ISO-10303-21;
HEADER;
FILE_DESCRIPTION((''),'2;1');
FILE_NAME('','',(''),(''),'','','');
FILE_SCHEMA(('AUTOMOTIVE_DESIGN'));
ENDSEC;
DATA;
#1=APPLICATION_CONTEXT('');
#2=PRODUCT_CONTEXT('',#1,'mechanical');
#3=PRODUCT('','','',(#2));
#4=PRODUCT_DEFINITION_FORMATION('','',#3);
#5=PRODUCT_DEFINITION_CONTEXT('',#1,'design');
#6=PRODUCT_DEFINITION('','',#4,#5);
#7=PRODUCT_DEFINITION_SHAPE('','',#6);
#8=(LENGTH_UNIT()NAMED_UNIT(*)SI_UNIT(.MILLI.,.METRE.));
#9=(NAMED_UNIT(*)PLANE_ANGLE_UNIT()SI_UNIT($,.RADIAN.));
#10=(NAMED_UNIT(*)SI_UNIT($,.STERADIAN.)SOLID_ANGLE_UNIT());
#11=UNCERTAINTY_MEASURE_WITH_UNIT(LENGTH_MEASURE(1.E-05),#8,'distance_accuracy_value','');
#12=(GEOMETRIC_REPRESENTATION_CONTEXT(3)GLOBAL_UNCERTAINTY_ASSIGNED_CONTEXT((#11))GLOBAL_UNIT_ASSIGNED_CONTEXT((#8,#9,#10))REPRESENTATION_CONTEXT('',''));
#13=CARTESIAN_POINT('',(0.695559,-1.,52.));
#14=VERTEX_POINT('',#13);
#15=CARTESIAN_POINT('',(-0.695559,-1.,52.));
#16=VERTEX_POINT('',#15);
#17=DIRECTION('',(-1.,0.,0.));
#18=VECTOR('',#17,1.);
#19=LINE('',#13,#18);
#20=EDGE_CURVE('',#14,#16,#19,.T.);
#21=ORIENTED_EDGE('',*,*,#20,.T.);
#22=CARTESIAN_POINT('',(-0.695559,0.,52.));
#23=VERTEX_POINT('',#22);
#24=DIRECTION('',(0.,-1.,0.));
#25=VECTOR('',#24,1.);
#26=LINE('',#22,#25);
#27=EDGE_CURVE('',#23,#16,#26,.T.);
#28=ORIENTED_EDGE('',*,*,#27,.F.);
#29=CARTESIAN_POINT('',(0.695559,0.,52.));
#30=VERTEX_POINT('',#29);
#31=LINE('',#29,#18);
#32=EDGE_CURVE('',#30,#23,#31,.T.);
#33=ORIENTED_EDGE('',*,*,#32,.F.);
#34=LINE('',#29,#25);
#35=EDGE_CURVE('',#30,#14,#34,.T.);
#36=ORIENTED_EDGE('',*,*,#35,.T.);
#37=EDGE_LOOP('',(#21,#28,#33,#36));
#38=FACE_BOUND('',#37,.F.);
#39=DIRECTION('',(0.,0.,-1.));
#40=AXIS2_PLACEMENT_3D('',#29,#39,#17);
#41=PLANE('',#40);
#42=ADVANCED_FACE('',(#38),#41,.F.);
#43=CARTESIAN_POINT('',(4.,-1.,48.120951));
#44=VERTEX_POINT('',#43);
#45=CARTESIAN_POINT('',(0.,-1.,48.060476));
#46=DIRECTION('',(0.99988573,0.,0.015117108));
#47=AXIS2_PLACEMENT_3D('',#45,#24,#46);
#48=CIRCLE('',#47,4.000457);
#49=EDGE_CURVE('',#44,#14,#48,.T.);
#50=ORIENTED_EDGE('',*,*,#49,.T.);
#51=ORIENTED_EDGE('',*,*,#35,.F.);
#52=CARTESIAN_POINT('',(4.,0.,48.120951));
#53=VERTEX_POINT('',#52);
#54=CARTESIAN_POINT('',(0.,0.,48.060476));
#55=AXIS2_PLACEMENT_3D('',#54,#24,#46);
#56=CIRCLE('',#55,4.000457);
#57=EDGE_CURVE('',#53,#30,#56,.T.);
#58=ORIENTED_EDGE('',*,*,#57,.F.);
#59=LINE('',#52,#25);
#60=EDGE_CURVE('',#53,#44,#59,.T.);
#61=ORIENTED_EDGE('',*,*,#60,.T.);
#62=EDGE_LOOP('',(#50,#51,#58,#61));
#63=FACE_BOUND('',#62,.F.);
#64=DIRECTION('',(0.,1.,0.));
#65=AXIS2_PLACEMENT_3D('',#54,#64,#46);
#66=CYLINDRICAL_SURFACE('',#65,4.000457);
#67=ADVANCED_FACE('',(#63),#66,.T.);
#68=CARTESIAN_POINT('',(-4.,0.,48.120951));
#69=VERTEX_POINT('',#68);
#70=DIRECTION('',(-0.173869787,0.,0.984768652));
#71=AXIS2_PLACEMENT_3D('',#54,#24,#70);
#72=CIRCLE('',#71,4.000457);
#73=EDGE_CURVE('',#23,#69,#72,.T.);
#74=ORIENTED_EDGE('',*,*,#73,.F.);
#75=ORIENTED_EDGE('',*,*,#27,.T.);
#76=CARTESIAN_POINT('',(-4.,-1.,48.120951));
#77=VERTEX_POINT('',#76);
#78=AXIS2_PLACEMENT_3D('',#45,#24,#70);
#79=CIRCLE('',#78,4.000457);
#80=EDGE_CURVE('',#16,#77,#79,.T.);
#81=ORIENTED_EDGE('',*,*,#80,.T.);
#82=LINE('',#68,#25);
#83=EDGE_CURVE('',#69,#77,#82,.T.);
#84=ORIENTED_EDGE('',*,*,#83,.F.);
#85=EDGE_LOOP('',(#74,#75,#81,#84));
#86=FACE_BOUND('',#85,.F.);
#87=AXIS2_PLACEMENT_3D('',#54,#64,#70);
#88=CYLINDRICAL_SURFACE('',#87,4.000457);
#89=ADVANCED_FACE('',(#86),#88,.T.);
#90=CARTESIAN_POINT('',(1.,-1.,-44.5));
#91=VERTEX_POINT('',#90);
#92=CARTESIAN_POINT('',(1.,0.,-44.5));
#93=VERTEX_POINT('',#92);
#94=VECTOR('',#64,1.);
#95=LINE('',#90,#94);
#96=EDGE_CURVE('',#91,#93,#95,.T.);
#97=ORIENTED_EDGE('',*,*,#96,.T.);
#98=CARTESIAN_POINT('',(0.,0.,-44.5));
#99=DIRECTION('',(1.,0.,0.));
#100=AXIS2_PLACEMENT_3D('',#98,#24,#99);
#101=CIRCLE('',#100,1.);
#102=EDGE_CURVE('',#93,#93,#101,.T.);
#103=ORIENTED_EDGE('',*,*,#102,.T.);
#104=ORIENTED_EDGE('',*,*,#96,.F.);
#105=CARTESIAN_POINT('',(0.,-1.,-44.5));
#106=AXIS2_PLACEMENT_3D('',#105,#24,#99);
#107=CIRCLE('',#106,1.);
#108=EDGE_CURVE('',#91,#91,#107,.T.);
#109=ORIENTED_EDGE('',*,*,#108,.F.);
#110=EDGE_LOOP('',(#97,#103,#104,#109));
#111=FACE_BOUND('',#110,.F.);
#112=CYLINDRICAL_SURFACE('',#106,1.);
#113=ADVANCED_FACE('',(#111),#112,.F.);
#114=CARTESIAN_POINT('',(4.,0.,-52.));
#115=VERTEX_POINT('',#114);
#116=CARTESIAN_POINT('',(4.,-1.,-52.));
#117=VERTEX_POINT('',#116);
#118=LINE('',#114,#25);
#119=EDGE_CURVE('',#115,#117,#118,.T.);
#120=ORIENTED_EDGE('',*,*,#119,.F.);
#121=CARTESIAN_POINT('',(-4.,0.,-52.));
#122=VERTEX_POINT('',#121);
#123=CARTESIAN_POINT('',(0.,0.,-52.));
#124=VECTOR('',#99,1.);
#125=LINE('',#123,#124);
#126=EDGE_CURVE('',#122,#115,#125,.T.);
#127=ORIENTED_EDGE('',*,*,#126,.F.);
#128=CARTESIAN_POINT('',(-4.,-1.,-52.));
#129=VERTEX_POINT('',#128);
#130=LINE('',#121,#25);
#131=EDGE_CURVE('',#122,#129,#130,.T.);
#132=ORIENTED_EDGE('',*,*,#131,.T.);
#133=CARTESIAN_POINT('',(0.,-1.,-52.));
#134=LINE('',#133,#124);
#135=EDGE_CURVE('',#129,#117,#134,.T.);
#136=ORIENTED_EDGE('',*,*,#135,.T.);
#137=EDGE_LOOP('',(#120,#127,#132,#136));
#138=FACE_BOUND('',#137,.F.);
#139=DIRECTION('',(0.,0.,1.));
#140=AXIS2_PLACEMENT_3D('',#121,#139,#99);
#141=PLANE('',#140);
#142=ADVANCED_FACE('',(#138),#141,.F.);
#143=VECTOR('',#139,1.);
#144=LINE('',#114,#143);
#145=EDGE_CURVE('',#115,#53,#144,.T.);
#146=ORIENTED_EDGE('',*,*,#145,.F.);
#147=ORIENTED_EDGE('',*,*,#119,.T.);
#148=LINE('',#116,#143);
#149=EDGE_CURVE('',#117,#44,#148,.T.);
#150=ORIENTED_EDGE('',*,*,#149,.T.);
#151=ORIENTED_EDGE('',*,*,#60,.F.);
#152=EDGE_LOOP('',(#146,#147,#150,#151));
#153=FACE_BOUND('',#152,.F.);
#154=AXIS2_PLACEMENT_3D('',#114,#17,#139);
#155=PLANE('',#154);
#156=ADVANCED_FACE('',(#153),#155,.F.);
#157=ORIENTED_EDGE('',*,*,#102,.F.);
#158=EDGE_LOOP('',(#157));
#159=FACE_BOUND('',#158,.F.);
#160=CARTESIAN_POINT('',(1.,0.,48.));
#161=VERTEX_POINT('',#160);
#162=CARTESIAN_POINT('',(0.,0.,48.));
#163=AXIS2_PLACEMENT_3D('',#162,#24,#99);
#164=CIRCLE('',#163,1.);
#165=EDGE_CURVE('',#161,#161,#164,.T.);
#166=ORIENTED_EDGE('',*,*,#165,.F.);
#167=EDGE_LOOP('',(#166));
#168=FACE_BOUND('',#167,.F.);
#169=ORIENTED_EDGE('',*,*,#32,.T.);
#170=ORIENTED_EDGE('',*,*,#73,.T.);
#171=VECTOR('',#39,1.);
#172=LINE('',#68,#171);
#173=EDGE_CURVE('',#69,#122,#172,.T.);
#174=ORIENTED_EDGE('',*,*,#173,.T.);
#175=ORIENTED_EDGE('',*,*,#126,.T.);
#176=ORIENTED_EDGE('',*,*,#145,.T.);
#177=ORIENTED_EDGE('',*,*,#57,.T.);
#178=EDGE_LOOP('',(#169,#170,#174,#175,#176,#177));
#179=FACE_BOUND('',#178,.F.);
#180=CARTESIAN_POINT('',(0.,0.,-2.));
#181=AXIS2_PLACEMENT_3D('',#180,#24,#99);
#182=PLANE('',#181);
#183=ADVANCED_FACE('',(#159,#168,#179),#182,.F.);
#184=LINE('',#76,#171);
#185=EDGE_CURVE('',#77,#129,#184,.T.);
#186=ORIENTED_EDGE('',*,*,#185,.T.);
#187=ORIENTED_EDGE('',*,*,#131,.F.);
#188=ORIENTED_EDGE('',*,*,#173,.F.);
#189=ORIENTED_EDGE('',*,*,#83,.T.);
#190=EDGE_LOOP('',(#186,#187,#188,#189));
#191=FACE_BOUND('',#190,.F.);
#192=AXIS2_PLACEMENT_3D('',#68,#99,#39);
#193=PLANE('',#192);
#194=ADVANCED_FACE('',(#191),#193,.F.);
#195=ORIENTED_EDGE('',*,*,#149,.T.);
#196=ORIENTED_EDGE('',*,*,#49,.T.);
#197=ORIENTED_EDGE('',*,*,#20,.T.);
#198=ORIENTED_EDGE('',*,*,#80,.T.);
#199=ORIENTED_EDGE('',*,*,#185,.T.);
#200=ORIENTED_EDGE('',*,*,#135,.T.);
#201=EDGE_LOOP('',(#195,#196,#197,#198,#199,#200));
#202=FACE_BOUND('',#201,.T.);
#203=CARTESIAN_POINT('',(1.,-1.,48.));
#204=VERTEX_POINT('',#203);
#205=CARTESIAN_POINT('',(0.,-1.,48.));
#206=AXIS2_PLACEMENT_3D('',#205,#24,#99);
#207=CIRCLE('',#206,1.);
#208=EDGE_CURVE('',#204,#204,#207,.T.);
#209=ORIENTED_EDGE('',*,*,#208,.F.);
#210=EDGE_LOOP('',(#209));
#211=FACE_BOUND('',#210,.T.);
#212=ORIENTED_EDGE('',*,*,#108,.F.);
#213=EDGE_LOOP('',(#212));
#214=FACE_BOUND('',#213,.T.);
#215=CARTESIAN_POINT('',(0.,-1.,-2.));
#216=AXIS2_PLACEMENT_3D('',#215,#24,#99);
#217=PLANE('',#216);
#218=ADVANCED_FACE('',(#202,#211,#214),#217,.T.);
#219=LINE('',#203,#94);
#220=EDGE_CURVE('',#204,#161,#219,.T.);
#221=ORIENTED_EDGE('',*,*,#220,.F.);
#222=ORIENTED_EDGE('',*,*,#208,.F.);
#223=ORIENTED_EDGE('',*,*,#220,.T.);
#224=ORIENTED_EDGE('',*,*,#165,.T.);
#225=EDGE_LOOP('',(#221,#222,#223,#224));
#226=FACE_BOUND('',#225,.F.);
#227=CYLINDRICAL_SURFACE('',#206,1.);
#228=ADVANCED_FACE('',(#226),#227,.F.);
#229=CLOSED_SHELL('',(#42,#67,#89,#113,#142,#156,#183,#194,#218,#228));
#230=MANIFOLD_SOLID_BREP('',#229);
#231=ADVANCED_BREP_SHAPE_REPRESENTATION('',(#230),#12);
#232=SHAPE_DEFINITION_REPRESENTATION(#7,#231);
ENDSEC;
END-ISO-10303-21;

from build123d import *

# Parameters (mm, degrees)
F0_W     = 8
F0_H     = 100
F1_DEPTH = 1
F2_R     = 1
F3_DEPTH = 1.001


with BuildPart() as f1:
    # F0 (on Front) → F1 (new body)
    with BuildSketch(Plane.XZ):
        with Locations((0, -2)):
            Rectangle(F0_W, F0_H)
        with BuildLine():
            Line((-4, 48), (4, 48))
            Line((4, 48), (4, 48.120951))
            ThreePointArc((4, 48.120951), (3.045296, 50.654667), (0.695559, 52))
            Line((0.695559, 52), (-0.695559, 52))
            ThreePointArc((-0.695559, 52), (-3.045296, 50.654667), (-4, 48.120951))
            Line((-4, 48.120951), (-4, 48))
        make_face()
    extrude(amount=F1_DEPTH)

    # F2 (on face) → F3 (cut, through all)
    with BuildSketch(Plane.XZ.offset(1)):
        with Locations((0, -44.5)):
            Circle(F2_R)
        with Locations((0, 48)):
            Circle(F2_R)
    extrude(amount=-F3_DEPTH, mode=Mode.SUBTRACT)


solid = f1.part
